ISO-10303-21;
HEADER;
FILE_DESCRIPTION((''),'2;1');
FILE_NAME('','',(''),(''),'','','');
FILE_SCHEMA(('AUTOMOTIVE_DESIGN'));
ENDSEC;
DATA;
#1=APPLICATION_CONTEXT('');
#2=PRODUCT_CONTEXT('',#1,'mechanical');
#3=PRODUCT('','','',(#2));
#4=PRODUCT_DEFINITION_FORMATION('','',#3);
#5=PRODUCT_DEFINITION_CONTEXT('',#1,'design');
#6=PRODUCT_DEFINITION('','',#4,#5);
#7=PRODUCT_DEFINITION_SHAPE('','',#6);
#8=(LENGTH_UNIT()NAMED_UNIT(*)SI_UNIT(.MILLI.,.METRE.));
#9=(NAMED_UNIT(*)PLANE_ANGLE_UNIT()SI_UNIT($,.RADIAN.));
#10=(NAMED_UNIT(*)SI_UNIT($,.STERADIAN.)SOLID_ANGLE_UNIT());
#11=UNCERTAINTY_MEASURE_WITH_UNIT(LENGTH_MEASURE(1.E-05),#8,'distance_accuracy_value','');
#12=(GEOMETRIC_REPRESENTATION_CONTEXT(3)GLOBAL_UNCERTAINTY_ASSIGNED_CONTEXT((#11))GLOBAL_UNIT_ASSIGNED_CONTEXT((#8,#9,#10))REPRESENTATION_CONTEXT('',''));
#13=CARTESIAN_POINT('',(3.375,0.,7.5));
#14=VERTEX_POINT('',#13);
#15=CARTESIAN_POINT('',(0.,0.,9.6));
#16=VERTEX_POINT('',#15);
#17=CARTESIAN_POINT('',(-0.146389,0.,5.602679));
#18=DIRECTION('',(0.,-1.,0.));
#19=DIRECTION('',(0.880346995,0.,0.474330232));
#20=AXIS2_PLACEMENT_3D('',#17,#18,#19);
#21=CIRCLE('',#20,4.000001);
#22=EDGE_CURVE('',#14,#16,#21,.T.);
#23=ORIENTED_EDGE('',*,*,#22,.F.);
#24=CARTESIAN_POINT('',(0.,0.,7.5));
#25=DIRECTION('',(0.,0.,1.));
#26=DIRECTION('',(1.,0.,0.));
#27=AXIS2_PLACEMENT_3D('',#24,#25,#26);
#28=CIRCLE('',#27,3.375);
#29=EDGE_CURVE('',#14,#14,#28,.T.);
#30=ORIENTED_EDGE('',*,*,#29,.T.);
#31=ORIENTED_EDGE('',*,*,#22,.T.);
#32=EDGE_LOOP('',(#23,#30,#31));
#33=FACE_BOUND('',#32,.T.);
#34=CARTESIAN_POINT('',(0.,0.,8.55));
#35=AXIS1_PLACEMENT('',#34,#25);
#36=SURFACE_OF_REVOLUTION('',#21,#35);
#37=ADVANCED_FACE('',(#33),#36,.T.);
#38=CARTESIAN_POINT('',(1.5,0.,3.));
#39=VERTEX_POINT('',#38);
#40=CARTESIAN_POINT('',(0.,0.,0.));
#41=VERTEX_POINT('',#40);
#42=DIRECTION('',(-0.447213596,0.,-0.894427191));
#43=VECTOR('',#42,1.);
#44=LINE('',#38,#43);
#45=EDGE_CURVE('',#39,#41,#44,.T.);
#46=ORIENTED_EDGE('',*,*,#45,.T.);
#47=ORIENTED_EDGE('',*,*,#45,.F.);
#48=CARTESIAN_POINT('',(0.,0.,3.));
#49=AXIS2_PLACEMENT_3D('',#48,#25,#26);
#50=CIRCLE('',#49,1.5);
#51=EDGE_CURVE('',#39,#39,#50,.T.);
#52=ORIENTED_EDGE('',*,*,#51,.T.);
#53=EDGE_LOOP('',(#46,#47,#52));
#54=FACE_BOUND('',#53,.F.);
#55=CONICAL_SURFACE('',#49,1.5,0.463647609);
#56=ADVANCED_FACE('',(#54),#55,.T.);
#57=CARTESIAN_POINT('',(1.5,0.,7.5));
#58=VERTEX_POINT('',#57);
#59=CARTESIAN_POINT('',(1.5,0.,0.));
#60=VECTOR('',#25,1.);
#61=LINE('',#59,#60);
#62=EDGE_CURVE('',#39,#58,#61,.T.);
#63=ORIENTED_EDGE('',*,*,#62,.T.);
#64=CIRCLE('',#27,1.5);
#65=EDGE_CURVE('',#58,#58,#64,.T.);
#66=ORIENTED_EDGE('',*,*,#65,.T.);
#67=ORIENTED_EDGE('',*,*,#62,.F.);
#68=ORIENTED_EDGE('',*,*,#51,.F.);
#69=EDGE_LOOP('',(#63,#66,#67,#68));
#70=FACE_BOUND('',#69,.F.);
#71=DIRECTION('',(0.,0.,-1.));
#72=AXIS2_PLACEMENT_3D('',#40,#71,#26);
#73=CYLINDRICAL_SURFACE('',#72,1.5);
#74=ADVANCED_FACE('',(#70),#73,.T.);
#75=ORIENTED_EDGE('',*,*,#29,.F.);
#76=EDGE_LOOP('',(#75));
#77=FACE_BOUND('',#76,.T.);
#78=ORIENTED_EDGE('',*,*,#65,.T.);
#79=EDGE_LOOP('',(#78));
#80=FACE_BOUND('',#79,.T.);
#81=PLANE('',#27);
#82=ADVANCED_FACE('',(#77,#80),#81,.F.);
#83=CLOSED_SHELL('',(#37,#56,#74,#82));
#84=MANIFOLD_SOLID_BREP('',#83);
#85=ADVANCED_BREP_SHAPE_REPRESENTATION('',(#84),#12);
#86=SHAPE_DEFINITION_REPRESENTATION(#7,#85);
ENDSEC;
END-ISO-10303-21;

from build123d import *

# Parameters (mm, degrees)
F0_R     = 1.5
F1_DEPTH = 7.5
F4_SIZE2 = 1.5
F4_SIZE  = 3


with BuildPart() as f1:
    # F0 (on Top) → F1 (new body)
    with BuildSketch(Plane.XY):
        Circle(F0_R)
    extrude(amount=F1_DEPTH)

    # F2 (on Front) → F3 (revolve)
    with BuildSketch(Plane.XZ):
        with BuildLine():
            Line((0, 9.6), (0, 7.5))
            Line((0, 7.5), (3.375, 7.5))
            ThreePointArc((3.375, 7.5), (1.966819, 8.998906), (0, 9.6))
        make_face()
    revolve(axis=Axis((0, 0, 8.55), (0, 0, 1)))

    # F4
    f4_edges = [f1.edges().sort_by_distance(p)[0] for p in [
        (-1.5, 0, 0),
    ]]
    chamfer(f4_edges, length=F4_SIZE, length2=F4_SIZE2)


solid = f1.part
